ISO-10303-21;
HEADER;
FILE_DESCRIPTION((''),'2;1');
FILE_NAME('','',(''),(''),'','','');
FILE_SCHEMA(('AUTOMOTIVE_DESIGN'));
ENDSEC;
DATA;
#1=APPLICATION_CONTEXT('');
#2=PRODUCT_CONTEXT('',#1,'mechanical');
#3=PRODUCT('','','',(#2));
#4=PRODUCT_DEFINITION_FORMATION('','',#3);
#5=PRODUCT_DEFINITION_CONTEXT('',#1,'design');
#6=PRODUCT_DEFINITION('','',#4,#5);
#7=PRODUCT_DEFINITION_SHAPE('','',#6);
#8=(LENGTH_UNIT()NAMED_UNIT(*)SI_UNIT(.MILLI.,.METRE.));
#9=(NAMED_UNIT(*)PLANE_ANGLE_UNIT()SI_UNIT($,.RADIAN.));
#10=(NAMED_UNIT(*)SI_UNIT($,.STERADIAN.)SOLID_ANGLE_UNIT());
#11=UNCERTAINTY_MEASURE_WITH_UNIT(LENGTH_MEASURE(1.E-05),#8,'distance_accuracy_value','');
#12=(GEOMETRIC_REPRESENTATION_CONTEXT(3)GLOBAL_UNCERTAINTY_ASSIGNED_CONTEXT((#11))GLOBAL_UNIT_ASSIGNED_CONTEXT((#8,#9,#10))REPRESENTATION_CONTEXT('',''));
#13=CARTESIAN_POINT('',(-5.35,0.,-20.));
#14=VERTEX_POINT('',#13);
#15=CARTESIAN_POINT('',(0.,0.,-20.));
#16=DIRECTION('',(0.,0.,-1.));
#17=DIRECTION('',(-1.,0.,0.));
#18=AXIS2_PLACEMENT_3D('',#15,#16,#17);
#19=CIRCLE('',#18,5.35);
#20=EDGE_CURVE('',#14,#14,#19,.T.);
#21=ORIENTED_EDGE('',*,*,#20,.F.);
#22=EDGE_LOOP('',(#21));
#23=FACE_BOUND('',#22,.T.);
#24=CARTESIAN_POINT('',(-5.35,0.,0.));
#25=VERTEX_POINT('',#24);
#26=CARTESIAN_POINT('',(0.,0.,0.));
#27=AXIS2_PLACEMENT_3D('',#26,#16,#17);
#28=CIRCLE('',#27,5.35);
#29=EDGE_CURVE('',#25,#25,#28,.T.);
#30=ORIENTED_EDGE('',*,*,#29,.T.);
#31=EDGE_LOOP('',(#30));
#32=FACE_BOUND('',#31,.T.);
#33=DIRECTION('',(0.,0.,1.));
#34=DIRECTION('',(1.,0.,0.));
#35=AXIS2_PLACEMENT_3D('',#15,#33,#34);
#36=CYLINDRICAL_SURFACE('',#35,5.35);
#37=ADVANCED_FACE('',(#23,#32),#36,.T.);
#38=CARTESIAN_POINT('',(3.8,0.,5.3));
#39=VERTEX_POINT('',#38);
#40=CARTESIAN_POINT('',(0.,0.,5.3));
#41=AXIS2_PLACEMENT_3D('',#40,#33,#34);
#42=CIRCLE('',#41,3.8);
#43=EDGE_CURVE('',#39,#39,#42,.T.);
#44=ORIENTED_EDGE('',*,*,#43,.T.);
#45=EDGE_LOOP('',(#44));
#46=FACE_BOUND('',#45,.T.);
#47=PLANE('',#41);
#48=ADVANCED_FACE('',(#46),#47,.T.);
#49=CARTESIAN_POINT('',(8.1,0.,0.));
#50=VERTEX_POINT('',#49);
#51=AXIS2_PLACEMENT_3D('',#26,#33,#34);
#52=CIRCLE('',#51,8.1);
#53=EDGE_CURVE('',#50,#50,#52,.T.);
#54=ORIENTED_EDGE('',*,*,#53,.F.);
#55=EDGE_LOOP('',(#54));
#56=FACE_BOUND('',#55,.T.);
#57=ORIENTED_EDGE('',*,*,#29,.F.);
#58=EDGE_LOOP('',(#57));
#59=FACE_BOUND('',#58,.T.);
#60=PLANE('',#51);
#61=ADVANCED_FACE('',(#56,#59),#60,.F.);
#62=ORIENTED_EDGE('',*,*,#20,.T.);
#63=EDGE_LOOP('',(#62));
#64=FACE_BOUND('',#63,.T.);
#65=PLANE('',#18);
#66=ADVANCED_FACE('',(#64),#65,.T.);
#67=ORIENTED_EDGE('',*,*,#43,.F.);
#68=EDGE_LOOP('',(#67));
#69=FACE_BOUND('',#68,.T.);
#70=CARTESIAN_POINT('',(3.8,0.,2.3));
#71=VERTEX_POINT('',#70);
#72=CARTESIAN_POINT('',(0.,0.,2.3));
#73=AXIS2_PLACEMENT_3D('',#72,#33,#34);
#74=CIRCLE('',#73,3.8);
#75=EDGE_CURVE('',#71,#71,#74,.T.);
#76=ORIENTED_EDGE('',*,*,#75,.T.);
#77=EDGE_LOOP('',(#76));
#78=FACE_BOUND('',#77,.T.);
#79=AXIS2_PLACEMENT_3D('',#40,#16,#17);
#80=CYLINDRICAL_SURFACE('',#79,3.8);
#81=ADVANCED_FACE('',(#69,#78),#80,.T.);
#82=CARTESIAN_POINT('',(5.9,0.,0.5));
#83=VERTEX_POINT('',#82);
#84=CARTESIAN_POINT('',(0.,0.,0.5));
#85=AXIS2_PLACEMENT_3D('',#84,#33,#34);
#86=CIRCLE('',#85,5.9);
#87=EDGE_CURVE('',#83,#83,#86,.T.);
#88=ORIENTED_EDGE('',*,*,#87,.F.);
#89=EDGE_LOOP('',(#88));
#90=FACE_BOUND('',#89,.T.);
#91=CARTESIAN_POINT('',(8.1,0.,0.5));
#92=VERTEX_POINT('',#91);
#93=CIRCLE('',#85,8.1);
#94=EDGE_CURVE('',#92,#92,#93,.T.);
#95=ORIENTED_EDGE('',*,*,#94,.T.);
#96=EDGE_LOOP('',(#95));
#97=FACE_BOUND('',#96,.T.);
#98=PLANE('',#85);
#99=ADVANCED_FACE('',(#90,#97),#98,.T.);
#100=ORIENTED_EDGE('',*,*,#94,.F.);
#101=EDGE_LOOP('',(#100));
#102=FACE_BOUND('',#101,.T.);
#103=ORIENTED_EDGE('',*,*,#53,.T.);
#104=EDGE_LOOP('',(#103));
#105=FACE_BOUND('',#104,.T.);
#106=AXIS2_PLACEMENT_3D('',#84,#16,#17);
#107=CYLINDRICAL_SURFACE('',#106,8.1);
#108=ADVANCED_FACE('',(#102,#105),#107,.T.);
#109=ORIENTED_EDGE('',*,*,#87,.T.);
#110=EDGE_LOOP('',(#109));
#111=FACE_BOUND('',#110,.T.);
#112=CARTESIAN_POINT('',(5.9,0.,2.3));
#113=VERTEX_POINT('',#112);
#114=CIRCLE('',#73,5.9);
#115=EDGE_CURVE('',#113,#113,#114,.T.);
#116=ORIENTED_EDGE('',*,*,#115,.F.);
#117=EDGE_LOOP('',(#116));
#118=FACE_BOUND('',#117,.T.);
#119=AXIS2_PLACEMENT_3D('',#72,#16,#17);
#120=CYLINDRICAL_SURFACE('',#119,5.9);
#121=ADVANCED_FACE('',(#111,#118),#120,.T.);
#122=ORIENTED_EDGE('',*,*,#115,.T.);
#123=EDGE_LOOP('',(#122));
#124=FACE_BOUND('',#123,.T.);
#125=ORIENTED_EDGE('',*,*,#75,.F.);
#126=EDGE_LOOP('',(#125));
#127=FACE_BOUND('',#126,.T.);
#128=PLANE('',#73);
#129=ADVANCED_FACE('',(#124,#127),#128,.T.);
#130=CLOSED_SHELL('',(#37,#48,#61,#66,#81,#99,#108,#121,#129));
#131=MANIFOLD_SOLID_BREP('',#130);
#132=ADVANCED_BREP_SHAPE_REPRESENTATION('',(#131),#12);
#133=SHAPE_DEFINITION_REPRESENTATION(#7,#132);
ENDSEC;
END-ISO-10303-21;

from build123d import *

# Parameters (mm, degrees)
ESQUISSE1_R        = 8.1
BOSS_EXTRU_1_DEPTH = 0.5
ESQUISSE2_R        = 5.9
BOSS_EXTRU_2_DEPTH = 1.8
ESQUISSE3_R        = 3.8
BOSS_EXTRU_3_DEPTH = 3
ESQUISSE4_R        = 5.35
BOSS_EXTRU_4_DEPTH = 20


with BuildPart() as part:
    # Esquisse1 → Boss.-Extru.1 (new body)
    with BuildSketch(Plane.XY):
        Circle(ESQUISSE1_R)
    extrude(amount=BOSS_EXTRU_1_DEPTH)

    # Esquisse2 → Boss.-Extru.2 (add)
    with BuildSketch(Plane.XY.offset(0.5)):
        Circle(ESQUISSE2_R)
    extrude(amount=BOSS_EXTRU_2_DEPTH)

    # Esquisse3 → Boss.-Extru.3 (add)
    with BuildSketch(Plane.XY.offset(2.3)):
        Circle(ESQUISSE3_R)
    extrude(amount=BOSS_EXTRU_3_DEPTH)

    # Esquisse4 → Boss.-Extru.4 (add)
    with BuildSketch(Plane(origin=(0, 0, 0), x_dir=(-1, 0, 0), z_dir=(0, 0, -1))):
        Circle(ESQUISSE4_R)
    extrude(amount=BOSS_EXTRU_4_DEPTH)


solid = part.part
